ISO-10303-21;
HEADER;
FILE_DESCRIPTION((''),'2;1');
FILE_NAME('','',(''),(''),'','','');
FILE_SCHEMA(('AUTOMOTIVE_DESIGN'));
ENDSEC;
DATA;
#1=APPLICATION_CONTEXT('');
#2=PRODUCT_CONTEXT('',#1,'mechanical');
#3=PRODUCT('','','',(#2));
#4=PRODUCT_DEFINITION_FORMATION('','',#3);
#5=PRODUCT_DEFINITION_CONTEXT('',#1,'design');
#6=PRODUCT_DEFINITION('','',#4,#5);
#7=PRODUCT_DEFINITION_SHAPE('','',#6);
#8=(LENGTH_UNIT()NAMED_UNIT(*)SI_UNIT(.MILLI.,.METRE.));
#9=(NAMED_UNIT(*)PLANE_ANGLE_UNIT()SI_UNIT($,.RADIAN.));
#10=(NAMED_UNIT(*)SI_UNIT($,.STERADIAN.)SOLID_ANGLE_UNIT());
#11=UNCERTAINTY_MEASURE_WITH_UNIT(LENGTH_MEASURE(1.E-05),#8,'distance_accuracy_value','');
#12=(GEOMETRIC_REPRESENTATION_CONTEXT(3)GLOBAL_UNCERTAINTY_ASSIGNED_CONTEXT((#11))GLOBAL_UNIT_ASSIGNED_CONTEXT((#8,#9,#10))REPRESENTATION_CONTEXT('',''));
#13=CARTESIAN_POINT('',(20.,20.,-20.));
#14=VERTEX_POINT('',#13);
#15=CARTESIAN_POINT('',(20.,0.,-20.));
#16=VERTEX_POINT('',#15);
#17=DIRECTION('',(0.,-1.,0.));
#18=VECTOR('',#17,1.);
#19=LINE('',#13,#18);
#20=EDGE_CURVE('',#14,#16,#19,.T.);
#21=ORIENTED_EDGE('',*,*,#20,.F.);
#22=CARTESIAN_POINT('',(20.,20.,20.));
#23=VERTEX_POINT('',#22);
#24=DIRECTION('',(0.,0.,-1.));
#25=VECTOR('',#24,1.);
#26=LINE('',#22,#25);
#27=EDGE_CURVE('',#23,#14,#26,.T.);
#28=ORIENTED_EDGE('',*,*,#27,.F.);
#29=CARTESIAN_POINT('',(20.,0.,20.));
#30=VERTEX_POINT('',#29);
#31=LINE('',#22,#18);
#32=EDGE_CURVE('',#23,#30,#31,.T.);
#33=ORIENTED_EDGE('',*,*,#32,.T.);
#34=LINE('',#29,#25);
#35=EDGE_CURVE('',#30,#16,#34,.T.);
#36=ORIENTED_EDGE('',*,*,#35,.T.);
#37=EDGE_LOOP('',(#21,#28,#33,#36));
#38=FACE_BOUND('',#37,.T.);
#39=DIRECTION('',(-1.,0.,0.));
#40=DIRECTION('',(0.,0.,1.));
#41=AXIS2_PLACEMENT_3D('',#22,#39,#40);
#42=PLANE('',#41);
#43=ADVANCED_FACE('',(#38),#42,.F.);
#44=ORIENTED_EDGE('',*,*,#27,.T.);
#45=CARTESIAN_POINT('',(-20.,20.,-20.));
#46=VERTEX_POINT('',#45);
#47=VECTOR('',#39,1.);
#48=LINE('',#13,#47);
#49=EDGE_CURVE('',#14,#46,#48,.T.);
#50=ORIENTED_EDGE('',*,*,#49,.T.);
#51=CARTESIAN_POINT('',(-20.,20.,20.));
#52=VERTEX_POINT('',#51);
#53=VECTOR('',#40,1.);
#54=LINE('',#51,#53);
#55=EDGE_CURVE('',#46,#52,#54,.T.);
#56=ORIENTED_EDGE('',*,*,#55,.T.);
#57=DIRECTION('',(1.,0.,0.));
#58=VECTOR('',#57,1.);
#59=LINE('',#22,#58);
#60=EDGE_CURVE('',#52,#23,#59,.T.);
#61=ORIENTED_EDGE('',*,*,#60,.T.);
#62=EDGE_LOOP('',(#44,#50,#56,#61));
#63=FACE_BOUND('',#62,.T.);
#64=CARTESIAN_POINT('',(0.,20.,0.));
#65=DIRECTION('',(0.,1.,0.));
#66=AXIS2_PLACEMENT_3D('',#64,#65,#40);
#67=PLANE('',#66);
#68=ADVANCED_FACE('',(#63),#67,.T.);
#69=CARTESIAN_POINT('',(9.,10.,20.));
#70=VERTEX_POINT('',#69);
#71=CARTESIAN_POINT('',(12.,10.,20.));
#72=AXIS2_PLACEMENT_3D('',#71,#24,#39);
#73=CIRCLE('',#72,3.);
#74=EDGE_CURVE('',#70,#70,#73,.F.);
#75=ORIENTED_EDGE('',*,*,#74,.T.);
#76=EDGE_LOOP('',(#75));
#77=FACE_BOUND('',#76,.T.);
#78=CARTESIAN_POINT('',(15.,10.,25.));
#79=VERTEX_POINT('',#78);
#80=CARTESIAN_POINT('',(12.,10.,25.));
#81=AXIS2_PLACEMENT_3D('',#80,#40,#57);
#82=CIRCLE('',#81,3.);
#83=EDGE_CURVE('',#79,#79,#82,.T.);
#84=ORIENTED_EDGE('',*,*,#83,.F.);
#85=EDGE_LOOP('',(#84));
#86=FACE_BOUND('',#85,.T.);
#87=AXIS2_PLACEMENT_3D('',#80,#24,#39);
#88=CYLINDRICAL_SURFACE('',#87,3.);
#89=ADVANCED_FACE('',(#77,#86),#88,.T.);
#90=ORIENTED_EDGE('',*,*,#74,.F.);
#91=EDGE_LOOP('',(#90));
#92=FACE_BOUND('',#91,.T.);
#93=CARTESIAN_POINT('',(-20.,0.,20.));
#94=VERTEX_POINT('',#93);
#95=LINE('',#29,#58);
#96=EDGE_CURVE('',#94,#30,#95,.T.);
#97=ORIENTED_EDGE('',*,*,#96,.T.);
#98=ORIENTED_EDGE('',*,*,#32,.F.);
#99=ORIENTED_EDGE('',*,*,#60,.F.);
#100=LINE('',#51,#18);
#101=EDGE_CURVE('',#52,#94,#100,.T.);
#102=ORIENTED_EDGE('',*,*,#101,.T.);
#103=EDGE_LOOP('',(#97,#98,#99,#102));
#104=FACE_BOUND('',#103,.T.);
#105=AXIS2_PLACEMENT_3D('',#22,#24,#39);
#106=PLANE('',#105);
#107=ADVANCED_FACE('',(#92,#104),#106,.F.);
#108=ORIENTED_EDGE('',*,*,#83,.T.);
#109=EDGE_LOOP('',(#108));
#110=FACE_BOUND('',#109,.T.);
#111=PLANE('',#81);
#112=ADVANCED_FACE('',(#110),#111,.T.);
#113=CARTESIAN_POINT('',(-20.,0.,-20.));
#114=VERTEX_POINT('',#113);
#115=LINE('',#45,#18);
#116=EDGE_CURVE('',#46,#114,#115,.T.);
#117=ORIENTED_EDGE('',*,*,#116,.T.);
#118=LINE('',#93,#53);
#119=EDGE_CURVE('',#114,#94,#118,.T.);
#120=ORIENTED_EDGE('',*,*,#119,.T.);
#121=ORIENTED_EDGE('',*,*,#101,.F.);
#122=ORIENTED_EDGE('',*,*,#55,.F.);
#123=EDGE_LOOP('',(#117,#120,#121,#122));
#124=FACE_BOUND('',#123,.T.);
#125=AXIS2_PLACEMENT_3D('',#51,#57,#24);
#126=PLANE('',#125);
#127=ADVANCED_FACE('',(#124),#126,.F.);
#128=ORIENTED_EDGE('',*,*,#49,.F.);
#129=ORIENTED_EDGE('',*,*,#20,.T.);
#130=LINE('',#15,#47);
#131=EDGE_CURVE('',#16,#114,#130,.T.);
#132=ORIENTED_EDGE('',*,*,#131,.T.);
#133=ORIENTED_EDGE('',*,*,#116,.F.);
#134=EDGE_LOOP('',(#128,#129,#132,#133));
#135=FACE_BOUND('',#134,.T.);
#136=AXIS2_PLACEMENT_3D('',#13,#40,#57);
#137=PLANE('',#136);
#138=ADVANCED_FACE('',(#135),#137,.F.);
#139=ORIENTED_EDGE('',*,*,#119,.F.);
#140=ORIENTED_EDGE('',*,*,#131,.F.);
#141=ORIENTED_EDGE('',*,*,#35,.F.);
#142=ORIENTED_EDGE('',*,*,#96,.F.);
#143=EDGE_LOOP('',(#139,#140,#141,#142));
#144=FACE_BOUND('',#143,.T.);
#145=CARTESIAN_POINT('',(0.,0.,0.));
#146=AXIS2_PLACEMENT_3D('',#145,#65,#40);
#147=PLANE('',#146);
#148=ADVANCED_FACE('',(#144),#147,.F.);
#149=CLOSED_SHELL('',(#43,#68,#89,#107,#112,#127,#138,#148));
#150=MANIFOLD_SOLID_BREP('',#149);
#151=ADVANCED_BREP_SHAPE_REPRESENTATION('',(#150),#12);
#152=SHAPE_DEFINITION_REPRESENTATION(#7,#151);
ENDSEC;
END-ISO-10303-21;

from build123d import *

# Parameters (mm, degrees)
SKETCH_1_W      = 40
SKETCH_1_H      = 40
EXTRUDE_1_DEPTH = 20
SKETCH_2_R      = 3
EXTRUDE_2_DEPTH = 5


with BuildPart() as part:
    # 草图1 → 凸台-拉伸1 (new body)
    with BuildSketch(Plane(origin=(0, 0, 0), x_dir=(1, 0, 0), z_dir=(0, 1, 0))):
        Rectangle(SKETCH_1_W, SKETCH_1_H)
    extrude(amount=EXTRUDE_1_DEPTH)

    # 草图2 → 凸台-拉伸2 (add)
    with BuildSketch(Plane.XY.offset(20)):
        with Locations((12, 10)):
            Circle(SKETCH_2_R)
    extrude(amount=EXTRUDE_2_DEPTH)


solid = part.part
